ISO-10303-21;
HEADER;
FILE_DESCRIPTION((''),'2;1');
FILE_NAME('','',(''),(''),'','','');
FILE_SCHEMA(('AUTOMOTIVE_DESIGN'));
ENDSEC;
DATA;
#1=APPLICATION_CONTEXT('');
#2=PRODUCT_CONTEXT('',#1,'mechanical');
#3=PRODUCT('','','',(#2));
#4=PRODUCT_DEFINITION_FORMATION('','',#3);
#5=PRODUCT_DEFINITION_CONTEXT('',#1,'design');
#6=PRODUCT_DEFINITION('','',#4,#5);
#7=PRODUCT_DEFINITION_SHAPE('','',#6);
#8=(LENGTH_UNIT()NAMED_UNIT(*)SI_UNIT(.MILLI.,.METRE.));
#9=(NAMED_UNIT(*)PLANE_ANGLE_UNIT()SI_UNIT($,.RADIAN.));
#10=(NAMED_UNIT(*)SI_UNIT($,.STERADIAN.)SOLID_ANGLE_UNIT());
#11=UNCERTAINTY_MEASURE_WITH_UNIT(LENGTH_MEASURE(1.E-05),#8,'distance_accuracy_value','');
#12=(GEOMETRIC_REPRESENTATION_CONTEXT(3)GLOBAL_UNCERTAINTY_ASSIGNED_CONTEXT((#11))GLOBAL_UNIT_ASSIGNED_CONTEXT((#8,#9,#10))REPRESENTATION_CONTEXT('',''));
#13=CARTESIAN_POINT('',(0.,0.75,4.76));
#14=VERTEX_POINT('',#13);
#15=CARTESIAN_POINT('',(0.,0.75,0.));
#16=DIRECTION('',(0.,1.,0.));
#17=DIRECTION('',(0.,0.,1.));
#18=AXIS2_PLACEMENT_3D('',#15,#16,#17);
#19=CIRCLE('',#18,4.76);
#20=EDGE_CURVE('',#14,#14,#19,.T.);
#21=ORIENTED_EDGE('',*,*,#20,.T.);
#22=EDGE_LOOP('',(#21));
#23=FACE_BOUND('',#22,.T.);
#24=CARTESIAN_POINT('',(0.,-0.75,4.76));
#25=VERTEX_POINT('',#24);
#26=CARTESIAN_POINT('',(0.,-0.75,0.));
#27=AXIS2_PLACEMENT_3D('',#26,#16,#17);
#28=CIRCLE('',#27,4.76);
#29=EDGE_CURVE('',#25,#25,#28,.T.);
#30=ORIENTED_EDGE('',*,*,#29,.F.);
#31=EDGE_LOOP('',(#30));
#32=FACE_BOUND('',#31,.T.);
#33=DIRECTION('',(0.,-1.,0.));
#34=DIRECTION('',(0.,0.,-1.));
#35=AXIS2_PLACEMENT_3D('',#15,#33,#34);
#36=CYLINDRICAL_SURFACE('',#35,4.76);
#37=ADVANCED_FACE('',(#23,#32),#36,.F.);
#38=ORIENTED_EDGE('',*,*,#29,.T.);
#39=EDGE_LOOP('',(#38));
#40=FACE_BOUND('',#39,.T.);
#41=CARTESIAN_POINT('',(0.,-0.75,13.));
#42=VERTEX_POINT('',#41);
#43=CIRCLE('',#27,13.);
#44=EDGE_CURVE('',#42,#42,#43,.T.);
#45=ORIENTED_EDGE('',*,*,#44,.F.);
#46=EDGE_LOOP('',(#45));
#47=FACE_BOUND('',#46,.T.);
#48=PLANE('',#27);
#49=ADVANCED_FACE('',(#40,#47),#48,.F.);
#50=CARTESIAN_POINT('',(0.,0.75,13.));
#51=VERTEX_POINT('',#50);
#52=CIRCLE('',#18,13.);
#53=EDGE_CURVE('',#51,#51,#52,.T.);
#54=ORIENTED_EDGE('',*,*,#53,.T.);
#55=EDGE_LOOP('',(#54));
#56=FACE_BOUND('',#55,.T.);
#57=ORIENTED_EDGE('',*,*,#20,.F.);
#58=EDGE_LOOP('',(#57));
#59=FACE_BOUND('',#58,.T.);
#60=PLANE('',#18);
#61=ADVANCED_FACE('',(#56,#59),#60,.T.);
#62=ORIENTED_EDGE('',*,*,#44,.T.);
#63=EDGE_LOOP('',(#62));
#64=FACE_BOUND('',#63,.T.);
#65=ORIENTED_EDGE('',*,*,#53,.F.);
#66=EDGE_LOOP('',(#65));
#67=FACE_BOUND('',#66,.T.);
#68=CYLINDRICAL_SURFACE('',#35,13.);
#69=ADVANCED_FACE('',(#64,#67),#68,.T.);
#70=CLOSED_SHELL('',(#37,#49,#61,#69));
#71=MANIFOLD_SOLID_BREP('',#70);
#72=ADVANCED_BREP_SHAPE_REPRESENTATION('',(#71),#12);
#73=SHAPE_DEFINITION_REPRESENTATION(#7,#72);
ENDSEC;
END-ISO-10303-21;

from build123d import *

# Parameters (mm, degrees)
ESBO_O1_R                = 13
ESBO_O1_R_2              = 4.76
RESSALTO_EXTRUS_O1_DEPTH = 0.75


with BuildPart() as part:
    # Esboço1 → Ressalto-extrusão1 (new, symmetric)
    with BuildSketch(Plane(origin=(0, 0, 0), x_dir=(1, 0, 0), z_dir=(0, 1, 0))):
        with Locations(Location((0, 0, 0), (0, 0, 270))):
            Circle(ESBO_O1_R)
        with Locations(Location((0, 0, 0), (0, 0, 270))):
            Circle(ESBO_O1_R_2, mode=Mode.SUBTRACT)
    extrude(amount=RESSALTO_EXTRUS_O1_DEPTH, both=True)


solid = part.part
